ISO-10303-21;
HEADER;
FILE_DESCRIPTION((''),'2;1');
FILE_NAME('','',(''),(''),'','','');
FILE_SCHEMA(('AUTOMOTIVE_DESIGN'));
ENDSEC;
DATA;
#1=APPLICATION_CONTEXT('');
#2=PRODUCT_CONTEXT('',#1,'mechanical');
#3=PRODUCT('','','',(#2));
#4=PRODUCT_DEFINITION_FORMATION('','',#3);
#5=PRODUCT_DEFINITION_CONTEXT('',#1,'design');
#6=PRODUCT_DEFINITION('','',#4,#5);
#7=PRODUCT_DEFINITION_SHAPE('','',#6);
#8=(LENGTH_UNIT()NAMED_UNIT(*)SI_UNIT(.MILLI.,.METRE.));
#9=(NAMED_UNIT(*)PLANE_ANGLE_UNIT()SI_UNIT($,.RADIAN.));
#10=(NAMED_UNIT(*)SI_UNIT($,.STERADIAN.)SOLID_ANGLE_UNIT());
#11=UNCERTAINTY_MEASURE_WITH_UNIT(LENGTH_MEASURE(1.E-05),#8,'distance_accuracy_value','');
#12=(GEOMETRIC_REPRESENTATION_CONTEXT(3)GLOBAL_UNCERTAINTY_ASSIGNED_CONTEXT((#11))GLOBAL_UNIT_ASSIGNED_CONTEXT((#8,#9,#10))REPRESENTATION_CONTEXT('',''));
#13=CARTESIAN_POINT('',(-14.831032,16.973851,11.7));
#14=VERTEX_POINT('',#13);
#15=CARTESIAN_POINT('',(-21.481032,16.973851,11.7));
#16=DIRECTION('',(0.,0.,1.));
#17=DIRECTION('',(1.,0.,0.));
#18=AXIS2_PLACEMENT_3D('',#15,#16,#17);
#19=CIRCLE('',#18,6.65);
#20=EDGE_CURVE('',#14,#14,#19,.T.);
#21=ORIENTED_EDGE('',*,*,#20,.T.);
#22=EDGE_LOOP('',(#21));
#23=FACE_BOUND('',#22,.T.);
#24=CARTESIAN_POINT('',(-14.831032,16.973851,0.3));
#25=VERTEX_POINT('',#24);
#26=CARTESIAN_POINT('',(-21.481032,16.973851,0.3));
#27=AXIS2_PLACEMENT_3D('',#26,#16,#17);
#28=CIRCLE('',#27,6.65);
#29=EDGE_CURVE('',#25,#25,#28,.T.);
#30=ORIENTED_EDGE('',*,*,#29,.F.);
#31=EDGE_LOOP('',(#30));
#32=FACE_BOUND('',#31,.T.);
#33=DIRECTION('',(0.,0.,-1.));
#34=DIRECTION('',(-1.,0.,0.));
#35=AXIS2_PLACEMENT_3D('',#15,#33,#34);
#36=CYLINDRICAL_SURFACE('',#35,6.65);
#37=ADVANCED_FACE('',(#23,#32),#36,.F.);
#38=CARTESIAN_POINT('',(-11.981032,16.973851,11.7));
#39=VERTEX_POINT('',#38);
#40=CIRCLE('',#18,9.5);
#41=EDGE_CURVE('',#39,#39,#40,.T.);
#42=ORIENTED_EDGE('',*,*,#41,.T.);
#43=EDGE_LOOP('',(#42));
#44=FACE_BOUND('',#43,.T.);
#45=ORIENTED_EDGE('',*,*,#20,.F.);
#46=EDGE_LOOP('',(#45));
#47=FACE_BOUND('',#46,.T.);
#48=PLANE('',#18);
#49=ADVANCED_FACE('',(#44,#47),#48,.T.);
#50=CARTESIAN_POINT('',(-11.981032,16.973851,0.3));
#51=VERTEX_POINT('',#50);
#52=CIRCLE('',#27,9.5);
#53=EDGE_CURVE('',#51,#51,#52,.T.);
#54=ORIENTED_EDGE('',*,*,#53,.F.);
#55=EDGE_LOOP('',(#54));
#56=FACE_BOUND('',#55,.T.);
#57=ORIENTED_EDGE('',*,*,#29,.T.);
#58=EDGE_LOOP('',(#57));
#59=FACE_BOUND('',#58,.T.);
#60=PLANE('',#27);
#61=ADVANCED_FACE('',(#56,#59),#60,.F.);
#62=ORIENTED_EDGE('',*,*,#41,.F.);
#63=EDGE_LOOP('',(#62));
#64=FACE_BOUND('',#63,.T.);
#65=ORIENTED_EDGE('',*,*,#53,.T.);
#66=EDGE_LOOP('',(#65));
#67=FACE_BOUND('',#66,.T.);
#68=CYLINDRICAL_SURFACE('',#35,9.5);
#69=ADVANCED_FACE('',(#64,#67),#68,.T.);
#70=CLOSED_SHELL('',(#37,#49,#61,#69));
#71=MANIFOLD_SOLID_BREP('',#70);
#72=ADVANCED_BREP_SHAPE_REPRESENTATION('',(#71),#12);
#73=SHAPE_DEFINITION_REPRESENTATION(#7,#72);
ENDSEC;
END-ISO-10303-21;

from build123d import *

# Parameters (mm, degrees)
SKETCH2_R           = 10
SKETCH2_R_2         = 7
BOSS_EXTRUDE1_DEPTH = 12
SCALE1_SCALE        = 0.95


with BuildPart() as part:
    # Sketch2 → Boss-Extrude1 (new body)
    with BuildSketch(Plane.XY):
        with Locations((-21.481032024, 16.973851197)):
            Circle(SKETCH2_R)
        with Locations((-21.481032024, 16.973851197)):
            Circle(SKETCH2_R_2, mode=Mode.SUBTRACT)
    extrude(amount=BOSS_EXTRUDE1_DEPTH)


with BuildPart() as part_1:
    # Scale1: scaled about (-21.481032024, 16.973851197, 6)
    add(part.part.scale(SCALE1_SCALE).moved(Location((-1.074051601, 0.84869256, 0.3))))


solid = part_1.part
